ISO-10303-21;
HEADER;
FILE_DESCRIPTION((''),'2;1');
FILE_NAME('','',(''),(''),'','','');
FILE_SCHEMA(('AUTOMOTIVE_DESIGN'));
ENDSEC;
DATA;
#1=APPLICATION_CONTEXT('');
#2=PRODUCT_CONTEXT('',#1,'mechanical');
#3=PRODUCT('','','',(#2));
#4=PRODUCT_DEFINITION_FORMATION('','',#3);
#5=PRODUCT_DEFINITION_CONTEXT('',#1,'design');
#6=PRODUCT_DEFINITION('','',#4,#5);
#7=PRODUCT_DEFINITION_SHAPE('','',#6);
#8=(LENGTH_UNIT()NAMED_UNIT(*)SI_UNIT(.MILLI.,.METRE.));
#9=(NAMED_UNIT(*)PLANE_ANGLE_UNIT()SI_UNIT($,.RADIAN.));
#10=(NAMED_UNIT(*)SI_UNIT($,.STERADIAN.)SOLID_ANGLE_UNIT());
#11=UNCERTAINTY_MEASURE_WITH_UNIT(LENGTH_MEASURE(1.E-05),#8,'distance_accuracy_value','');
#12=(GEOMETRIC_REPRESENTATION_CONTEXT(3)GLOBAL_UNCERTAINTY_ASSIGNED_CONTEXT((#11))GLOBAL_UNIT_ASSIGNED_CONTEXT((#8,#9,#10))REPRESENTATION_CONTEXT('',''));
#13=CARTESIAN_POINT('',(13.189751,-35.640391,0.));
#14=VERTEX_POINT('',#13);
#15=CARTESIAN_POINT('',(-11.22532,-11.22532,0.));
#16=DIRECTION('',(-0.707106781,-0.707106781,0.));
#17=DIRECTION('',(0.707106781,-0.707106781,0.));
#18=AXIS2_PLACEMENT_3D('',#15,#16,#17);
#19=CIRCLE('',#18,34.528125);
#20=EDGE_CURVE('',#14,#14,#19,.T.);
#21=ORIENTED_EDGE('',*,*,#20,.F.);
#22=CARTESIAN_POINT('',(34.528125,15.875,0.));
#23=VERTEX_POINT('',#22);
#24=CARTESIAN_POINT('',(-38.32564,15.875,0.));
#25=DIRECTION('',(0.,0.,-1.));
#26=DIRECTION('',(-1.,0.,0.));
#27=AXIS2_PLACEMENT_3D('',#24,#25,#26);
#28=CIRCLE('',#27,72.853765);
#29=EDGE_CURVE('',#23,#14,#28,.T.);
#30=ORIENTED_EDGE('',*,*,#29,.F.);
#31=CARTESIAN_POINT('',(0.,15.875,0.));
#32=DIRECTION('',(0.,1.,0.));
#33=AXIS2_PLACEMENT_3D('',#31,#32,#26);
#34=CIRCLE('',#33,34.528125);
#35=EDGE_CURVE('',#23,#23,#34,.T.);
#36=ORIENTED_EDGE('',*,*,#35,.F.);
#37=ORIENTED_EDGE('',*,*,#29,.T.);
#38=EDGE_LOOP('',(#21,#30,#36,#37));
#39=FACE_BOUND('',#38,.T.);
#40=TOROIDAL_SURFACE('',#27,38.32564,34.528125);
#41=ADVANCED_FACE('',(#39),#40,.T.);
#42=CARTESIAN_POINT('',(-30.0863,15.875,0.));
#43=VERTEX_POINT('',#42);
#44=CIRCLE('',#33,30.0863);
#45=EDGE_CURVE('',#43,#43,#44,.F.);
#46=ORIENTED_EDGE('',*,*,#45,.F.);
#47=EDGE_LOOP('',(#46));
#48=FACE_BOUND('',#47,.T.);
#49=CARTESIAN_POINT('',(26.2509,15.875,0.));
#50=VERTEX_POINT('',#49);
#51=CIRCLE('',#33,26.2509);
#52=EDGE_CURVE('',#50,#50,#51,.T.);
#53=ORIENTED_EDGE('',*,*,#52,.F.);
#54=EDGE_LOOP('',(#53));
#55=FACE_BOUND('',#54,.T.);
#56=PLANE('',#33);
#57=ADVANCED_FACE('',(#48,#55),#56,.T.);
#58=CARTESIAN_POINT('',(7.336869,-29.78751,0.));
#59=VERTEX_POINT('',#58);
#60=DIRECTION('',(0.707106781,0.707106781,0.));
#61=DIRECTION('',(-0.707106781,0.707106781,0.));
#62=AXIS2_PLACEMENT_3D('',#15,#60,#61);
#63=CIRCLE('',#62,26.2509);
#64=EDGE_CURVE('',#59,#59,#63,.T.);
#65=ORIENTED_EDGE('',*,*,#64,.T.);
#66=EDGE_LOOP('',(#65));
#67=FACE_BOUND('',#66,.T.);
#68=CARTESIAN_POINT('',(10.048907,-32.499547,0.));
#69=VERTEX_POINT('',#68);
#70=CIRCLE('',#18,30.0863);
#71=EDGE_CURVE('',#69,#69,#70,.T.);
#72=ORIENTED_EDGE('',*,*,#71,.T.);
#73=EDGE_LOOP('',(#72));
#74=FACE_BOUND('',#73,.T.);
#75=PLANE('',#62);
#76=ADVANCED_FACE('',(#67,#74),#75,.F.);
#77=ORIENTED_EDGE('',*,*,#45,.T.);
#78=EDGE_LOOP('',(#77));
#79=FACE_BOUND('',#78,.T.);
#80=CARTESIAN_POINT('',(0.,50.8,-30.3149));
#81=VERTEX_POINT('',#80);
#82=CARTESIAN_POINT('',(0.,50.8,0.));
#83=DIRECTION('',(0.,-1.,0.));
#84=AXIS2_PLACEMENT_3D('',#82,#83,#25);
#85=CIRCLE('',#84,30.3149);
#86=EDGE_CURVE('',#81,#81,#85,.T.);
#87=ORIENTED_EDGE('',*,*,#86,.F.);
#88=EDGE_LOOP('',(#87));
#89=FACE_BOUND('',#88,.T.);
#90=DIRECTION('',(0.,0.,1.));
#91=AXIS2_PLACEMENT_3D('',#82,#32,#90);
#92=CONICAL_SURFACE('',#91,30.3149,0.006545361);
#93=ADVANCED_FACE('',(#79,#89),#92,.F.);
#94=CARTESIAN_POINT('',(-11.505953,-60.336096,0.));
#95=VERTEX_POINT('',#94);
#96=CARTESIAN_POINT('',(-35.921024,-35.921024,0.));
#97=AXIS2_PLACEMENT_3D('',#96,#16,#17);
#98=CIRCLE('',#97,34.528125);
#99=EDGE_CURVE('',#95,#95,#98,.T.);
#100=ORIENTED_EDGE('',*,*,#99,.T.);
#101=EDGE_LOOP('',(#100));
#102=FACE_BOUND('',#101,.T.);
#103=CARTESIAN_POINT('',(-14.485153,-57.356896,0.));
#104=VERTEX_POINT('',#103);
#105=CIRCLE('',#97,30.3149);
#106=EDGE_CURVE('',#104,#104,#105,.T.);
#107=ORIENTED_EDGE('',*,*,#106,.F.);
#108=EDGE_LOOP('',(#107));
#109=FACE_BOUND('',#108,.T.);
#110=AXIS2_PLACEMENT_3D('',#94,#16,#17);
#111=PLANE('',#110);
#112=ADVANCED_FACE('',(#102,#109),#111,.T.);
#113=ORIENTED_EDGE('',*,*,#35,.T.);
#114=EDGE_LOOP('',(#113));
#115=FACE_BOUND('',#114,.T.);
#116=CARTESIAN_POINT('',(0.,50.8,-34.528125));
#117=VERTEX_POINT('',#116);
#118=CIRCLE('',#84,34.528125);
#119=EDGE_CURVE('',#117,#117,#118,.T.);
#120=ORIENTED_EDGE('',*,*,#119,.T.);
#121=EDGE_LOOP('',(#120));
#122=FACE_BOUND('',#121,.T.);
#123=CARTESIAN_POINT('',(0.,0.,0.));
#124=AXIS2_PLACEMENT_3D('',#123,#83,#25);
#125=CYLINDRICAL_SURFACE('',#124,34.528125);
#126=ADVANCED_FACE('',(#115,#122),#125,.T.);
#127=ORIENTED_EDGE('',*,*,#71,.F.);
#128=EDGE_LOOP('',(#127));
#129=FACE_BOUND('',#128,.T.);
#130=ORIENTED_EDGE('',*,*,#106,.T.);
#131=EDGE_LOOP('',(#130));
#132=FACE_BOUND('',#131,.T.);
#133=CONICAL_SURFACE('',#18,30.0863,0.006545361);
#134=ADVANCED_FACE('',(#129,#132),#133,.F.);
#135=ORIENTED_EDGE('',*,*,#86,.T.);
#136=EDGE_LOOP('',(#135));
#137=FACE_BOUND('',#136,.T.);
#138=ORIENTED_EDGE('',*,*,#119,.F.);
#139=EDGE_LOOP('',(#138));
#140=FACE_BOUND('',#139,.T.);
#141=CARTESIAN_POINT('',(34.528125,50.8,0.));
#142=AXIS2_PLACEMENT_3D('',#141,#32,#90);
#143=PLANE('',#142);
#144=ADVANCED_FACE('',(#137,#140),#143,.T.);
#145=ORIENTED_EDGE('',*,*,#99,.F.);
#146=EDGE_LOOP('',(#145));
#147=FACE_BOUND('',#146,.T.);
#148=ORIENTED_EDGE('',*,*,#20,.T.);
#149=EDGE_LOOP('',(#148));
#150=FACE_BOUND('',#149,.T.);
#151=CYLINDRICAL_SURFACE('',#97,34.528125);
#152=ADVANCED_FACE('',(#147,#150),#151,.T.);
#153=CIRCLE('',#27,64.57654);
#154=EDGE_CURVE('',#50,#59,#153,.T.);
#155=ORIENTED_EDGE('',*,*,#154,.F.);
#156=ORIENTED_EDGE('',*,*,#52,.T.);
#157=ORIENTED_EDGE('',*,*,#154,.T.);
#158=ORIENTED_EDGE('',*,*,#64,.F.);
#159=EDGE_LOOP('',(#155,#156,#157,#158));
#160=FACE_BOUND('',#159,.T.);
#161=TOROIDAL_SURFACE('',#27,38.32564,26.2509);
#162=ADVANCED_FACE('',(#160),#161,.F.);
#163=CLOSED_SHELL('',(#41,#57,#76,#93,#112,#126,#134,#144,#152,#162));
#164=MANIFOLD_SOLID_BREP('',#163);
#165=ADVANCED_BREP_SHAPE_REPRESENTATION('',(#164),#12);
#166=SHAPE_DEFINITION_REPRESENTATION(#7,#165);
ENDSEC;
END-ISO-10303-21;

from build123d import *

# Parameters (mm, degrees)
SKETCH3_R   = 34.528125
SKETCH3_R_2 = 26.2509


with BuildPart() as part:
    # Sketch1 → Revolve1 (revolve)
    with BuildSketch(Plane.XY):
        Polygon((-11.505953155, -60.336095813), (13.189751178, -35.64039148), (10.048906599, -32.499546902), (-14.485153123, -57.356895845), align=None)
    revolve(axis=Axis((-35.921024484, -35.921024484, 0), (0.7071067811865486, 0.7071067811865465, 0)))



with BuildPart() as body_2:
    # Sketch2 → Revolve2 (revolve)
    with BuildSketch(Plane.XY):
        Polygon((30.3149, 50.8), (30.0863, 15.875), (34.528125, 15.875), (34.528125, 50.8), align=None)
    revolve(axis=Axis((0, 0, 0), (0, 1, 0)))


with BuildPart() as part_1:
    add(part.part)

    add(body_2.part)  # Sweep1 merges body 2
    # Sweep1: sweep along a path in Sketch4
    with BuildLine(Plane.XY) as sweep1_path:
        ThreePointArc((-11.225320151, -11.225320151), (-2.917365657, 1.208412421), (0, 15.875))
    # Sketch3 → Sweep1 (sweep)
    with BuildSketch(Plane(origin=(-11.225320151, -11.225320151, 0), x_dir=(0, 0, -1), z_dir=(0.7071067811865488, 0.7071067811865464, 0))):
        Circle(SKETCH3_R)
        Circle(SKETCH3_R_2, mode=Mode.SUBTRACT)
    sweep(path=sweep1_path.line)


solid = part_1.part
